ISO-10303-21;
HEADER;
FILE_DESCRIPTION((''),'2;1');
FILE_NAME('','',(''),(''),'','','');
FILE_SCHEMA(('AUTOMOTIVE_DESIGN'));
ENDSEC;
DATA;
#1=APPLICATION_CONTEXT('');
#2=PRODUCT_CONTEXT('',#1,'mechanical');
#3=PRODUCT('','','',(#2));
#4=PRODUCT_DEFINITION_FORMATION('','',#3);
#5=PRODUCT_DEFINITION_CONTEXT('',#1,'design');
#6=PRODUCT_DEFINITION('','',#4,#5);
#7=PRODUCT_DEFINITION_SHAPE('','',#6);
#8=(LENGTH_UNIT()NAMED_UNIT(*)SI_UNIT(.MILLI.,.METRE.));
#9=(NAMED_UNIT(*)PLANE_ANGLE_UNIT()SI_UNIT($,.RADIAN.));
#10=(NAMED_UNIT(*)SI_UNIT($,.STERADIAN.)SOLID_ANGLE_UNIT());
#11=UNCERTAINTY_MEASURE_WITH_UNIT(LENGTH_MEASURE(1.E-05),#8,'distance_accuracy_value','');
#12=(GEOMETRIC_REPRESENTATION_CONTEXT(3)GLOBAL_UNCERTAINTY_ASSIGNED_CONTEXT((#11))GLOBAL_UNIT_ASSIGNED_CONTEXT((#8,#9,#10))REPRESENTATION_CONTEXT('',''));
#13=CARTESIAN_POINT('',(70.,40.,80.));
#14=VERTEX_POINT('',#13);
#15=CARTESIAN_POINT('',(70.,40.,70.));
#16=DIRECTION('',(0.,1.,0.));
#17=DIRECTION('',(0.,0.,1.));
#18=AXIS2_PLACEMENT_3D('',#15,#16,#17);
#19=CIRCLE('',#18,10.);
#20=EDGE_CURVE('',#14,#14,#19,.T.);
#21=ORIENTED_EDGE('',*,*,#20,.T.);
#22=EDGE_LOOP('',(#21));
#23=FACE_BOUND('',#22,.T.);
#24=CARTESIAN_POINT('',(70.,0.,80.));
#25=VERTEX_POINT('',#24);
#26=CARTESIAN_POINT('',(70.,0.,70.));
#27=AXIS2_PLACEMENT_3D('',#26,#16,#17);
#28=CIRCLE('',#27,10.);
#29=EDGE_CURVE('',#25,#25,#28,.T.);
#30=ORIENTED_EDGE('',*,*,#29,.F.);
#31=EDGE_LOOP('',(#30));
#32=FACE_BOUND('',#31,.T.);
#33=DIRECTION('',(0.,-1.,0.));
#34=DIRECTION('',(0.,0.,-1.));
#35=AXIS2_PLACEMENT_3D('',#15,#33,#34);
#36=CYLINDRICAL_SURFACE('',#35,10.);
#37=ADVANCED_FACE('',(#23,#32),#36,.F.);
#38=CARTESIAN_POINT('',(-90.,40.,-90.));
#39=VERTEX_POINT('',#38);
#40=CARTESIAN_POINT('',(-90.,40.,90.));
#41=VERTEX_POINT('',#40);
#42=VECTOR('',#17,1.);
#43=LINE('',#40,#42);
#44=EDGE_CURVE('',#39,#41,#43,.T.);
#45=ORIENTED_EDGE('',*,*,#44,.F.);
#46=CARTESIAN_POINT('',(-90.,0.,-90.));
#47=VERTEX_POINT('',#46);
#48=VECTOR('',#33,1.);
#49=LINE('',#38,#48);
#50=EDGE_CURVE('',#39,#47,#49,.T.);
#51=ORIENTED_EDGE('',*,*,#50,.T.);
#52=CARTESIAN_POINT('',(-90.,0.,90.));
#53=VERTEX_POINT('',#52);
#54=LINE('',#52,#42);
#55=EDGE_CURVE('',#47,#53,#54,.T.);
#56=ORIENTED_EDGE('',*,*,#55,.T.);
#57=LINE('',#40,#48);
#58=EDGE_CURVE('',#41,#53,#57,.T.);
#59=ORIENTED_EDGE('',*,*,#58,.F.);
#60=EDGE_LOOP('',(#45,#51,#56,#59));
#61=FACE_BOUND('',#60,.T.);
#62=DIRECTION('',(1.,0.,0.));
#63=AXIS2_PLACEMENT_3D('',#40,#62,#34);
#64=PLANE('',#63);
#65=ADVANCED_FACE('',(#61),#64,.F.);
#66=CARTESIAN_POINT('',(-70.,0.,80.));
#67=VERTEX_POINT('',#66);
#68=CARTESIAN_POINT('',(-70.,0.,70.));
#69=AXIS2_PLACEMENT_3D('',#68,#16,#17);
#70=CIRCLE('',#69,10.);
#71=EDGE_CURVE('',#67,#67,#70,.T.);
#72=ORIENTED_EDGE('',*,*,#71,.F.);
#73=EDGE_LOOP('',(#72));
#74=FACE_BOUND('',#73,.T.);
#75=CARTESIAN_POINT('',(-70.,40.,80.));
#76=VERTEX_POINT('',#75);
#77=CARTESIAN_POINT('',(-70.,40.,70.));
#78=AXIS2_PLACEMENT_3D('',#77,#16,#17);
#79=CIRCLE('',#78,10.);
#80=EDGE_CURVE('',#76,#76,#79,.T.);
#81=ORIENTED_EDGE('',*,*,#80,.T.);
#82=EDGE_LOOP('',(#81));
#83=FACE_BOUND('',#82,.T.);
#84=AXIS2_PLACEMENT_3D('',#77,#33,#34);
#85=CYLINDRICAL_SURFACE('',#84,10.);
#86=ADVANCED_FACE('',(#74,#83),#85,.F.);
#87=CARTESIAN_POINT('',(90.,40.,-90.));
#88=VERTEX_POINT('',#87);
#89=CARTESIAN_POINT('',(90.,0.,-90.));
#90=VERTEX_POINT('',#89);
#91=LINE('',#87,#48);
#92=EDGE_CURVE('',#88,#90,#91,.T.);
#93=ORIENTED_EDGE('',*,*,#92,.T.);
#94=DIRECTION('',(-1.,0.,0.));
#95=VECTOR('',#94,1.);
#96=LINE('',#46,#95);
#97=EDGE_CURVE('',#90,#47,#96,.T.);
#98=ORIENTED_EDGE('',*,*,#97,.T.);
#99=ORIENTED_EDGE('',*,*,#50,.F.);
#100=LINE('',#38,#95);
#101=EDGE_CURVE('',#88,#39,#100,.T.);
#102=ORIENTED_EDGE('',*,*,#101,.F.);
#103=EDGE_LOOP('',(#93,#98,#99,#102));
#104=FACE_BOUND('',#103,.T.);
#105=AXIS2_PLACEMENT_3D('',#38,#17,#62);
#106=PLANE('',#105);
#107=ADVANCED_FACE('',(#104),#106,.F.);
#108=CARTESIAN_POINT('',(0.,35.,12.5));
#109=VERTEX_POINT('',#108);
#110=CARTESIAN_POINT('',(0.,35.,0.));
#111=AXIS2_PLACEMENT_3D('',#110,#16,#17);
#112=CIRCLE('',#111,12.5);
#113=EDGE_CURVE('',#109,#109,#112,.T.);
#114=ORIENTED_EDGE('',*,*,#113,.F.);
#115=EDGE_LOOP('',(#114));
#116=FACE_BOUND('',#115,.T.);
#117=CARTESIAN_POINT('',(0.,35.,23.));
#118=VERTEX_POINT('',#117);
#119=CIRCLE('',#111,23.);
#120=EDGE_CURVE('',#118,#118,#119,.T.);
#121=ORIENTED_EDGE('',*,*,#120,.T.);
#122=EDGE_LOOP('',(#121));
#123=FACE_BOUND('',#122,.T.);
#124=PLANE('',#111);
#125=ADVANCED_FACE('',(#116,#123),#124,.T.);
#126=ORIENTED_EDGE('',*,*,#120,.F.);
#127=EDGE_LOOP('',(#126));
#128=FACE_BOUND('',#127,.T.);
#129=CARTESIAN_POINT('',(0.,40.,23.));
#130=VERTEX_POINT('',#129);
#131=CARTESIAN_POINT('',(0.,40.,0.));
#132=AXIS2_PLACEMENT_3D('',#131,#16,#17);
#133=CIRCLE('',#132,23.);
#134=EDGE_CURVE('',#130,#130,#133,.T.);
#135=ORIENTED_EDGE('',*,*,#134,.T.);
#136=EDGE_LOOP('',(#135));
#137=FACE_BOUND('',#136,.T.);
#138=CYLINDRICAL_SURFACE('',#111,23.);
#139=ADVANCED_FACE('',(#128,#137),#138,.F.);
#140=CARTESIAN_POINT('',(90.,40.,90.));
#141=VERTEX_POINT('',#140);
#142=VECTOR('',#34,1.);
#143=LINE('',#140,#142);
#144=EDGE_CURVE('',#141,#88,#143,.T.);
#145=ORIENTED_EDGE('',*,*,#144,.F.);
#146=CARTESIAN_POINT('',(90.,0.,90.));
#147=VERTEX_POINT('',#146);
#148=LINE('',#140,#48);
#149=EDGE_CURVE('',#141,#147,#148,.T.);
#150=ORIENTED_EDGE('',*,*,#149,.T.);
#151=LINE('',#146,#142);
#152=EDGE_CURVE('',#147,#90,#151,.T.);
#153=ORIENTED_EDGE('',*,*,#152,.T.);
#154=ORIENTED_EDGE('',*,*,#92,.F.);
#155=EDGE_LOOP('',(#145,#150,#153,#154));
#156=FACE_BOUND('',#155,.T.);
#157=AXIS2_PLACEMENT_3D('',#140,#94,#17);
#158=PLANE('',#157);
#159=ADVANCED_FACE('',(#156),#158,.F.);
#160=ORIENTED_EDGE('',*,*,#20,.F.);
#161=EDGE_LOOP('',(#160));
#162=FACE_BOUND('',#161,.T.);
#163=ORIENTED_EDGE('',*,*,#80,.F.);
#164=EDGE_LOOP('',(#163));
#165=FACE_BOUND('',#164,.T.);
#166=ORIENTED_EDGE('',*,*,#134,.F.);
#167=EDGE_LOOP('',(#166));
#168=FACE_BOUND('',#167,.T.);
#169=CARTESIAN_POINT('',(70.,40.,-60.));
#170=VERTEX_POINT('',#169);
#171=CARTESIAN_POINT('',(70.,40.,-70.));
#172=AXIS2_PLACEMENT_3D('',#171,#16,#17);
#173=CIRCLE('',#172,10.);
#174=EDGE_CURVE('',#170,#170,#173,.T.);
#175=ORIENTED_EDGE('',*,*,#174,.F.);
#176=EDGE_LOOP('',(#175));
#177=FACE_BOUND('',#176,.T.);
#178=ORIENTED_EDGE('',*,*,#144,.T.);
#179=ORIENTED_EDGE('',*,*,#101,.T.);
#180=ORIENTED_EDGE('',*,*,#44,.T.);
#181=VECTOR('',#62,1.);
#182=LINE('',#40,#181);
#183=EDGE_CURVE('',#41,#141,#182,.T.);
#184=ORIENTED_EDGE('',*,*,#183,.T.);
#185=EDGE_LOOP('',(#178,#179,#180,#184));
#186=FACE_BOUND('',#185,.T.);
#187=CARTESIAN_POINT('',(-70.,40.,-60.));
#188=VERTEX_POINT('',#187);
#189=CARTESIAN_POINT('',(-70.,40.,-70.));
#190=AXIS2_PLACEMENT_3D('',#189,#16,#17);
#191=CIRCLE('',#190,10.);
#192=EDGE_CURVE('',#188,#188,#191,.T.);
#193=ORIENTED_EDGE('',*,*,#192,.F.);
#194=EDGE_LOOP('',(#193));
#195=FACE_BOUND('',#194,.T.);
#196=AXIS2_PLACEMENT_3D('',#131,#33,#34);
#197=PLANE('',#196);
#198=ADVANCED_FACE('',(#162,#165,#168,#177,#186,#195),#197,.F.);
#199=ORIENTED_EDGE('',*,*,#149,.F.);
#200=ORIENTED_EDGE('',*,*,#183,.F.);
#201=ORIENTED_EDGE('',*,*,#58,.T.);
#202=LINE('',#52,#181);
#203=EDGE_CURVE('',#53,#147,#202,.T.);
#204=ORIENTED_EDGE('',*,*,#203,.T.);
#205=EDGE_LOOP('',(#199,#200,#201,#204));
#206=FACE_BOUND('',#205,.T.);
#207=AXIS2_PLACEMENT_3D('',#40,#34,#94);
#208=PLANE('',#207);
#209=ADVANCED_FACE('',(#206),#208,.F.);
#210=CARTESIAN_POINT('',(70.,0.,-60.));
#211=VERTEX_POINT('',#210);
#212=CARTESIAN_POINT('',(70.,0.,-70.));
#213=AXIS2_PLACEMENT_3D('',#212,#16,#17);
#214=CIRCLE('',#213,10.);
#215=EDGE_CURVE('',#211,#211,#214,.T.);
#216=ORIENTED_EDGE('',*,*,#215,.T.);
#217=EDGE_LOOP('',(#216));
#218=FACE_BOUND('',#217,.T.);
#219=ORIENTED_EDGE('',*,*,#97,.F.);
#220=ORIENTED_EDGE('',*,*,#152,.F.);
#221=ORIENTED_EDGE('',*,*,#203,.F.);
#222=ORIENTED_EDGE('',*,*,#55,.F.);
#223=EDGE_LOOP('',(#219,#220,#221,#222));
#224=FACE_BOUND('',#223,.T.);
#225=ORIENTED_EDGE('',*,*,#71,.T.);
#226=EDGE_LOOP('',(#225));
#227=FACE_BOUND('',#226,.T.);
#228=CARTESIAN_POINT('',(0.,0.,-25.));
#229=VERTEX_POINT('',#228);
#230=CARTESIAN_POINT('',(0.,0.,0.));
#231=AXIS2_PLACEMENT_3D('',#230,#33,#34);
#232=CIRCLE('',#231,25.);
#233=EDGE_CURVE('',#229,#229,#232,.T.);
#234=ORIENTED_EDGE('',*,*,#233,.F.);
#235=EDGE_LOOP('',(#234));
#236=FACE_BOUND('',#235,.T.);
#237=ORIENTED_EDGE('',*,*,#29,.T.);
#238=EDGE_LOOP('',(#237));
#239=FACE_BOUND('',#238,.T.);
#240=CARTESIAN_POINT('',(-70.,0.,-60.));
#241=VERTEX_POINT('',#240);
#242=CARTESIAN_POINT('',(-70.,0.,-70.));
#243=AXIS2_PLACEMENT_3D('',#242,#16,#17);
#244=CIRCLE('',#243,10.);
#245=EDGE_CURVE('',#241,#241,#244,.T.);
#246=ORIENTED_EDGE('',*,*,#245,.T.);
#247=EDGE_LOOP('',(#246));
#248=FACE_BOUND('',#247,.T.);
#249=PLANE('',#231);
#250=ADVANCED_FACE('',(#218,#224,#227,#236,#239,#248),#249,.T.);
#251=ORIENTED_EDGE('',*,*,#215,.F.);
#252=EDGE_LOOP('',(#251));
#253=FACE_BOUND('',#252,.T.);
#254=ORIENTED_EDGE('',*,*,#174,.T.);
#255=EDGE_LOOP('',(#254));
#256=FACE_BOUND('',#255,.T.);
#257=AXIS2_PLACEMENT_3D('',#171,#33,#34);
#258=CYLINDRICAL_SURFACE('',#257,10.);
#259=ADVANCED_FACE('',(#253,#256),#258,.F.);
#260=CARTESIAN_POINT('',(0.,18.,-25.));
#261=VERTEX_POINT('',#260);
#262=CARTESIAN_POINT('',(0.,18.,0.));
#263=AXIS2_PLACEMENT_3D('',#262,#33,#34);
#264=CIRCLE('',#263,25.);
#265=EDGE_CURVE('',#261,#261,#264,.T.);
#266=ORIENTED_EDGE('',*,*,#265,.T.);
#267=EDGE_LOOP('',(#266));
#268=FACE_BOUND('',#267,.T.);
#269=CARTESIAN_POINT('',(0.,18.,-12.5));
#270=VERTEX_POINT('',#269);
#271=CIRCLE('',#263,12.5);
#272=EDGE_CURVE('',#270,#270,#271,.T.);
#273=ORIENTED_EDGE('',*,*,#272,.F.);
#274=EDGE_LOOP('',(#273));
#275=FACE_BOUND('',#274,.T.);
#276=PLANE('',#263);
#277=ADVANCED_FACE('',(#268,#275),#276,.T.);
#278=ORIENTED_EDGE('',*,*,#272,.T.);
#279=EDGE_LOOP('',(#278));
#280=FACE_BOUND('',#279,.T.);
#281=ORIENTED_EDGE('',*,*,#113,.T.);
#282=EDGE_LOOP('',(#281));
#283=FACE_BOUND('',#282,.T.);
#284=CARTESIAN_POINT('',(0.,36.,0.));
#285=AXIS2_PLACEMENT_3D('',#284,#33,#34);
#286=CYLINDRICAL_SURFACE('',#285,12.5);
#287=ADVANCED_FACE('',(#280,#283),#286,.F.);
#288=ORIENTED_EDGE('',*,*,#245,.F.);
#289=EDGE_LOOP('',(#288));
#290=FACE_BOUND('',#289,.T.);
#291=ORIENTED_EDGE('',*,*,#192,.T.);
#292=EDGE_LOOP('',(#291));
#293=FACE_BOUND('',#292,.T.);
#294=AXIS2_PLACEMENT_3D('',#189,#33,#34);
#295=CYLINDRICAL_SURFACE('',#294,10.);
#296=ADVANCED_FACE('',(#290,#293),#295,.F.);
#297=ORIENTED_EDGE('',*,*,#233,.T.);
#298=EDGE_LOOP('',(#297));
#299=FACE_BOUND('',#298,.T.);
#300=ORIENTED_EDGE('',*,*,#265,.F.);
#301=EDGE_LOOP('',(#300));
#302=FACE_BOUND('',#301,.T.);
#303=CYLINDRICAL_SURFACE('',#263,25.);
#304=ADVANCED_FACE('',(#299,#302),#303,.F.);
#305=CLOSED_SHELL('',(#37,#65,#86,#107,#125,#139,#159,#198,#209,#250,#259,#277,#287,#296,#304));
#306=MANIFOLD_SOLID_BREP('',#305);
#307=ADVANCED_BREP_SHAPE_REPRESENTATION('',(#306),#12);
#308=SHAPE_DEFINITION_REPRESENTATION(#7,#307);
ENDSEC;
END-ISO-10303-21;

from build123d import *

# Parameters (mm, degrees)
SKETCH1_W           = 180
SKETCH1_H           = 180
SKETCH1_R           = 10
BOSS_EXTRUDE1_DEPTH = 40
SKETCH2_R           = 23
CUT_EXTRUDE1_DEPTH  = 5
SKETCH3_R           = 25
CUT_EXTRUDE2_DEPTH  = 18
SKETCH4_R           = 12.5
CUT_EXTRUDE3_DEPTH  = 18


with BuildPart() as part:
    # Sketch1 → Boss-Extrude1 (new body)
    with BuildSketch(Plane(origin=(0, 0, 0), x_dir=(1, 0, 0), z_dir=(0, 1, 0))):
        Rectangle(SKETCH1_W, SKETCH1_H)
        with Locations(Location((-70, 70, 0), (0, 0, 270))):
            Circle(SKETCH1_R, mode=Mode.SUBTRACT)
        with Locations(Location((70, 70, 0), (0, 0, 270))):
            Circle(SKETCH1_R, mode=Mode.SUBTRACT)
        with Locations(Location((-70, -70, 0), (0, 0, 270))):
            Circle(SKETCH1_R, mode=Mode.SUBTRACT)
        with Locations(Location((70, -70, 0), (0, 0, 270))):
            Circle(SKETCH1_R, mode=Mode.SUBTRACT)
    extrude(amount=BOSS_EXTRUDE1_DEPTH)

    # Sketch2 → Cut-Extrude1 (cut)
    with BuildSketch(Plane(origin=(0, 40, 0), x_dir=(1, 0, 0), z_dir=(0, 1, 0))):
        with Locations(Location((0, 0, 0), (0, 0, 270))):
            Circle(SKETCH2_R)
    extrude(amount=-CUT_EXTRUDE1_DEPTH, mode=Mode.SUBTRACT)

    # Sketch3 → Cut-Extrude2 (cut)
    with BuildSketch(Plane.XZ):
        with Locations(Location((0, 0, 0), (0, 0, 270))):
            Circle(SKETCH3_R)
    extrude(amount=-CUT_EXTRUDE2_DEPTH, mode=Mode.SUBTRACT)

    # Sketch4 → Cut-Extrude3 (cut)
    with BuildSketch(Plane.XZ.offset(-18)):
        with Locations(Location((0, 0, 0), (0, 0, 270))):
            Circle(SKETCH4_R)
    extrude(amount=-CUT_EXTRUDE3_DEPTH, mode=Mode.SUBTRACT)


solid = part.part
